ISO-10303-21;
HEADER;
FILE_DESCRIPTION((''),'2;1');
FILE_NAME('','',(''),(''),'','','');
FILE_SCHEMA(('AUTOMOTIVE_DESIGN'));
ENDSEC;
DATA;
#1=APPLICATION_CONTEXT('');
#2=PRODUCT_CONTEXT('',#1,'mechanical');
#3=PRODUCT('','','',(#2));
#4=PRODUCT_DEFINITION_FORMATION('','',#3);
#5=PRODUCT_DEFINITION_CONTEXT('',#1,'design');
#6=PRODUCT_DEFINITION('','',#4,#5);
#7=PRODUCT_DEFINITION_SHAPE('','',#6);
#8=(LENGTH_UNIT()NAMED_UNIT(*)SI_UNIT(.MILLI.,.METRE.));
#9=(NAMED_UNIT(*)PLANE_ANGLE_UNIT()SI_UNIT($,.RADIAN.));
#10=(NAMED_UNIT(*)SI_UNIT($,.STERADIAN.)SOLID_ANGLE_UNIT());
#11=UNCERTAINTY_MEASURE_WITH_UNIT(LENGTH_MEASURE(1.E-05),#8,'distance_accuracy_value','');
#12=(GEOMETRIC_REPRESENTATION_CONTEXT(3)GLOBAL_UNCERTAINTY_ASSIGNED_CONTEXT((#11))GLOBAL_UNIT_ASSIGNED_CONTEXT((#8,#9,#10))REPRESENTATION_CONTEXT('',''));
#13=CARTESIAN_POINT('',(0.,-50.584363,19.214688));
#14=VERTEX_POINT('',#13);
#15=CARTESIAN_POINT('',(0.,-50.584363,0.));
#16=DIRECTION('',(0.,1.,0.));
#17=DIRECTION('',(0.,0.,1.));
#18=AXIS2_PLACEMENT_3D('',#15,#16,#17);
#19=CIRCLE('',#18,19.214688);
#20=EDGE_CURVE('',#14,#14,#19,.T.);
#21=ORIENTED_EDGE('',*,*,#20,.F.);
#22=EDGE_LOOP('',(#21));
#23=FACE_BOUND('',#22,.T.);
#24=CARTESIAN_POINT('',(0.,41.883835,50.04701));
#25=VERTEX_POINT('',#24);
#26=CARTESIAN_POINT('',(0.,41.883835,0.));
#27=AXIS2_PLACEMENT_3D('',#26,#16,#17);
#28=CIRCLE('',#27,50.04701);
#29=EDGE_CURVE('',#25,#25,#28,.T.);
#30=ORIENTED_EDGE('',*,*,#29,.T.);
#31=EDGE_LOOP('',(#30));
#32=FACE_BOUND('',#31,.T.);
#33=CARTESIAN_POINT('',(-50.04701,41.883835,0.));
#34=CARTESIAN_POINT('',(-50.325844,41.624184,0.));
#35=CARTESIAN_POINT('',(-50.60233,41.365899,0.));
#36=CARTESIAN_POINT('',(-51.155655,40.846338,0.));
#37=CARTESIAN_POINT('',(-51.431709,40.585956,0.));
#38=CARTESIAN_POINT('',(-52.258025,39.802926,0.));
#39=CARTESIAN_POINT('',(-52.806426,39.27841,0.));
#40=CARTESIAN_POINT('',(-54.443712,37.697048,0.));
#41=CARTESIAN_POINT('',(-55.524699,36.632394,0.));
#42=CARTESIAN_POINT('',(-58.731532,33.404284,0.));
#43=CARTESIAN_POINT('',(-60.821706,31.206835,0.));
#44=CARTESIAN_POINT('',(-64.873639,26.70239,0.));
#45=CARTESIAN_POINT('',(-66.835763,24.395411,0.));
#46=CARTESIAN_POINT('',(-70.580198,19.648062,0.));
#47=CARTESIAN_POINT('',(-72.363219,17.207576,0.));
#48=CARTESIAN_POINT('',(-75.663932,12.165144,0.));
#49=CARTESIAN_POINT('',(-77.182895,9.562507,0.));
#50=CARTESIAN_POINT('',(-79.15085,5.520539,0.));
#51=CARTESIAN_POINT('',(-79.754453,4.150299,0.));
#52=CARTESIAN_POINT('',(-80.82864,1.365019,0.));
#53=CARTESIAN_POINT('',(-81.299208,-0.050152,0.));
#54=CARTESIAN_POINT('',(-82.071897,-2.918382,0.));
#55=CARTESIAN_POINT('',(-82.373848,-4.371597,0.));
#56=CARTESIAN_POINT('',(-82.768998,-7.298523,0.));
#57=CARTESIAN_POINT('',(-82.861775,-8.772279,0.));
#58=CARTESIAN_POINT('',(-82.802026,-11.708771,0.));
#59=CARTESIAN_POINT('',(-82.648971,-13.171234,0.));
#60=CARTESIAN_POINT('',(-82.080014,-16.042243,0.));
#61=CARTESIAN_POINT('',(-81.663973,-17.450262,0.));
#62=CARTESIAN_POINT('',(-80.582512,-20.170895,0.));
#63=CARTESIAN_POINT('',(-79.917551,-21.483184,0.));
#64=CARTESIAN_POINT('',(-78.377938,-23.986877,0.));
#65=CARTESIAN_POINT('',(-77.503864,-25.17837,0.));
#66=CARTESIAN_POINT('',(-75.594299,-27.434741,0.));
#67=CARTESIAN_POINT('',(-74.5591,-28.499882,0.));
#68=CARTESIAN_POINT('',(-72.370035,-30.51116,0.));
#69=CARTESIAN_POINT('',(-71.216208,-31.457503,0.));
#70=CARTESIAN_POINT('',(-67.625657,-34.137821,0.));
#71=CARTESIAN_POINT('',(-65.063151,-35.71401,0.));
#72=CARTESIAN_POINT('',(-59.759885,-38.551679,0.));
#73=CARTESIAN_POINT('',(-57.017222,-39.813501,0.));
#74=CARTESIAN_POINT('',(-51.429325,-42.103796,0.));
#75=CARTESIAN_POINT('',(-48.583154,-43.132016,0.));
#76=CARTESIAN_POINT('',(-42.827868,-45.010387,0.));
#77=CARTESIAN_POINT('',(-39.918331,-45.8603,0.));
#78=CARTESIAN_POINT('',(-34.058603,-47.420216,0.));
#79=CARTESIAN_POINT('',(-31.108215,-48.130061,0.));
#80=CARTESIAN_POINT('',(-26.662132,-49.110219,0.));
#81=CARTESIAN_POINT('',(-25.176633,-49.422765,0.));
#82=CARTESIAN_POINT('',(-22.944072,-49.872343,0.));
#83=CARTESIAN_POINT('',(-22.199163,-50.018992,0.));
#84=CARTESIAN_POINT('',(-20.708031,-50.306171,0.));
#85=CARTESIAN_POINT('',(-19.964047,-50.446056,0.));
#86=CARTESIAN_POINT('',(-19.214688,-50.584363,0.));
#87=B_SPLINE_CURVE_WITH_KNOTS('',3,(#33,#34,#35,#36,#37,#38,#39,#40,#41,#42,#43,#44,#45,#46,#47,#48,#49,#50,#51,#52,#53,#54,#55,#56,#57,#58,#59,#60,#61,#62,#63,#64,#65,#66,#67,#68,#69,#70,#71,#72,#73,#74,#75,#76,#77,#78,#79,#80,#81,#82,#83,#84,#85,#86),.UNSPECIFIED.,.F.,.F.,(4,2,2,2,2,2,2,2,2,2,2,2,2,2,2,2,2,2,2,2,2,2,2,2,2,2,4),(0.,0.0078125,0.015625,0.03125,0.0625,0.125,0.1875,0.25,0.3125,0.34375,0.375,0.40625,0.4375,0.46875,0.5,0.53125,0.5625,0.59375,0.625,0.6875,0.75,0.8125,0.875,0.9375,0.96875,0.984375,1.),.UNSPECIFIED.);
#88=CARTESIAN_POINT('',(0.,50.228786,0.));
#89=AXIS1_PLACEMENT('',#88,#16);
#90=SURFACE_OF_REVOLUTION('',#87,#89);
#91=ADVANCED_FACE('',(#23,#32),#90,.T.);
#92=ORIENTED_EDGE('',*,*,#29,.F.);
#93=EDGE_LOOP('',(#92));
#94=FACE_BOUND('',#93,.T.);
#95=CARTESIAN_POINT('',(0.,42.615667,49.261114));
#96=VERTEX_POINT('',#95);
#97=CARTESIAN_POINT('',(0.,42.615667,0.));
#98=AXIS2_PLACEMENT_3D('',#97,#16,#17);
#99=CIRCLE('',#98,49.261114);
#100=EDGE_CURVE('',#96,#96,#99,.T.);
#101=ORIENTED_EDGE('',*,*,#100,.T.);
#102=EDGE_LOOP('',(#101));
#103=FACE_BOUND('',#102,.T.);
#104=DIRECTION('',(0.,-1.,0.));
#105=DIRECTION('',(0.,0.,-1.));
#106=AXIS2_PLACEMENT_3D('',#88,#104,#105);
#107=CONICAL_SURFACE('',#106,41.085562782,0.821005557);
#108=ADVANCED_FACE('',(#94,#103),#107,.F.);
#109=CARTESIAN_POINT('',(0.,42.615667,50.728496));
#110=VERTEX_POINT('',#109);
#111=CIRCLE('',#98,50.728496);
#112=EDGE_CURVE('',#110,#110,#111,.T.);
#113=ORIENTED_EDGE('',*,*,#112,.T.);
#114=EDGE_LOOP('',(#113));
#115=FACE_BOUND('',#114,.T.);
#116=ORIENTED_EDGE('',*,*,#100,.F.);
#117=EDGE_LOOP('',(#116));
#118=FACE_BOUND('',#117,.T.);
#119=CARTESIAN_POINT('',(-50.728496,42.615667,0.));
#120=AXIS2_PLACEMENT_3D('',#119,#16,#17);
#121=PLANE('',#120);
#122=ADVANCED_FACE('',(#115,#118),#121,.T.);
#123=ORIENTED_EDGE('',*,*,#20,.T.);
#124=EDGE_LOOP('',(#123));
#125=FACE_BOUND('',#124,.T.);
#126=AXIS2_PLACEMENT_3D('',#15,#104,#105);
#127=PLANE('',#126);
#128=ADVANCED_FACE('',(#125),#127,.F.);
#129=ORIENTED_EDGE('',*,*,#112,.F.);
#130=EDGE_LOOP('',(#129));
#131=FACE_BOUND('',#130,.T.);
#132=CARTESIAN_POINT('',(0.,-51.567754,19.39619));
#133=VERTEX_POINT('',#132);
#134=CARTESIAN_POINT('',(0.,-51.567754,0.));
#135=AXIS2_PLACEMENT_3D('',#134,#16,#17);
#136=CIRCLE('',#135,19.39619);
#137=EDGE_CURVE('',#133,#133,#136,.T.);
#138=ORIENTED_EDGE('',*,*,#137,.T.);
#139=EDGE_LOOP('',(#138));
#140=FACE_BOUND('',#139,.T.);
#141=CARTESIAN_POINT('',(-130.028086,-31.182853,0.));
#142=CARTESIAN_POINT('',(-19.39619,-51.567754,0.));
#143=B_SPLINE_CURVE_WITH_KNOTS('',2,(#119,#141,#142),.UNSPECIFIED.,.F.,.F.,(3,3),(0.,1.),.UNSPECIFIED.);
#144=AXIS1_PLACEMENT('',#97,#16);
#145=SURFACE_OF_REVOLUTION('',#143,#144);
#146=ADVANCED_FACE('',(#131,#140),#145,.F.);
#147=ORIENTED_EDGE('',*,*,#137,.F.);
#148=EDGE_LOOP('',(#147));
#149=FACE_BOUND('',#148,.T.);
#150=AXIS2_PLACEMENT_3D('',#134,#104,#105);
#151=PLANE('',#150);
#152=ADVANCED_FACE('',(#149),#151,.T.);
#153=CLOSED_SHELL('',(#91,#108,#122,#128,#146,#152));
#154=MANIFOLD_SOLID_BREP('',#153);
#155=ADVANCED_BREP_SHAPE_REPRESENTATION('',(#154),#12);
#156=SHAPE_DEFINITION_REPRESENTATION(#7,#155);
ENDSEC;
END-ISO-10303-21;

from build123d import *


with BuildPart() as part:
    # Sketch1 → Revolve1 (revolve)
    with BuildSketch(Plane.XY):
        with BuildLine():
            Line((-50.72849587, 42.615666568), (0, 42.615666568))
            Line((0, 42.615666568), (0, -51.567754074))
            Line((0, -51.567754074), (-19.396189598, -51.567754074))
            add(Edge.make_bspline(
                [(-50.72849587, 42.615666568), (-130.028085949, -31.182852575), (-19.396189598, -51.567754074)],
                knots=[0, 0, 0, 1, 1, 1], degree=2))
        make_face()
    revolve(axis=Axis((0, 42.615666568, 0), (0, -1, 0)))

    # Sketch2 → Cut-Revolve1 (revolve, cut)
    with BuildSketch(Plane.XY):
        with BuildLine():
            Line((-50.047010216, 41.883835096), (-41.085562782, 50.228786221))
            Line((-41.085562782, 50.228786221), (0, 50.228786221))
            Line((0, 50.228786221), (0, -50.584363445))
            Line((0, -50.584363445), (-19.21468789, -50.584363445))
            add(Edge.make_bspline(
                [(-50.047010216, 41.883835096), (-50.32584371, 41.624183751), (-50.602330127, 41.365898673), (-51.155655157, 40.846338467), (-51.431709239, 40.585956266), (-52.258024806, 39.80292582), (-52.806425689, 39.278410383), (-54.443711696, 37.697048316), (-55.524699101, 36.632393792), (-58.731531579, 33.404284026), (-60.821705641, 31.206834784), (-64.873638975, 26.70239047), (-66.835762553, 24.395410836), (-70.580197527, 19.648061766), (-72.363218662, 17.2075759), (-75.663931745, 12.16514425), (-77.182894942, 9.562506568), (-79.150849652, 5.520539479), (-79.754453318, 4.150299222), (-80.828640315, 1.365018775), (-81.299207918, -0.050151988), (-82.071897, -2.918381891), (-82.373847945, -4.371596932), (-82.768997982, -7.298522934), (-82.861774839, -8.77227869), (-82.802025864, -11.708771229), (-82.648971411, -13.171234077), (-82.080013614, -16.042243124), (-81.663972991, -17.450261946), (-80.582512292, -20.170894739), (-79.917550674, -21.483184423), (-78.37793817, -23.98687732), (-77.50386394, -25.178370041), (-75.594298566, -27.434740893), (-74.559099695, -28.499881969), (-72.370035113, -30.511159568), (-71.216208418, -31.45750317), (-67.625656975, -34.137821028), (-65.063151449, -35.714010162), (-59.759884742, -38.551679463), (-57.017221977, -39.813500654), (-51.429325406, -42.10379591), (-48.583154128, -43.132015553), (-42.827868447, -45.010386597), (-39.918331059, -45.860299793), (-34.058603216, -47.420216139), (-31.108215288, -48.130060848), (-26.662132394, -49.110219269), (-25.176633049, -49.422764895), (-22.944071535, -49.872342665), (-22.199163354, -50.018991867), (-20.708031223, -50.306170625), (-19.96404687, -50.446056316), (-19.21468789, -50.584363445)],
                knots=[0, 0, 0, 0, 0.0078125, 0.0078125, 0.015625, 0.015625, 0.03125, 0.03125, 0.0625, 0.0625, 0.125, 0.125, 0.1875, 0.1875, 0.25, 0.25, 0.3125, 0.3125, 0.34375, 0.34375, 0.375, 0.375, 0.40625, 0.40625, 0.4375, 0.4375, 0.46875, 0.46875, 0.5, 0.5, 0.53125, 0.53125, 0.5625, 0.5625, 0.59375, 0.59375, 0.625, 0.625, 0.6875, 0.6875, 0.75, 0.75, 0.8125, 0.8125, 0.875, 0.875, 0.9375, 0.9375, 0.96875, 0.96875, 0.984375, 0.984375, 1, 1, 1, 1], degree=3))
        make_face()
    revolve(axis=Axis((0, 50.228786221, 0), (0, -1, 0)), mode=Mode.SUBTRACT)


solid = part.part
